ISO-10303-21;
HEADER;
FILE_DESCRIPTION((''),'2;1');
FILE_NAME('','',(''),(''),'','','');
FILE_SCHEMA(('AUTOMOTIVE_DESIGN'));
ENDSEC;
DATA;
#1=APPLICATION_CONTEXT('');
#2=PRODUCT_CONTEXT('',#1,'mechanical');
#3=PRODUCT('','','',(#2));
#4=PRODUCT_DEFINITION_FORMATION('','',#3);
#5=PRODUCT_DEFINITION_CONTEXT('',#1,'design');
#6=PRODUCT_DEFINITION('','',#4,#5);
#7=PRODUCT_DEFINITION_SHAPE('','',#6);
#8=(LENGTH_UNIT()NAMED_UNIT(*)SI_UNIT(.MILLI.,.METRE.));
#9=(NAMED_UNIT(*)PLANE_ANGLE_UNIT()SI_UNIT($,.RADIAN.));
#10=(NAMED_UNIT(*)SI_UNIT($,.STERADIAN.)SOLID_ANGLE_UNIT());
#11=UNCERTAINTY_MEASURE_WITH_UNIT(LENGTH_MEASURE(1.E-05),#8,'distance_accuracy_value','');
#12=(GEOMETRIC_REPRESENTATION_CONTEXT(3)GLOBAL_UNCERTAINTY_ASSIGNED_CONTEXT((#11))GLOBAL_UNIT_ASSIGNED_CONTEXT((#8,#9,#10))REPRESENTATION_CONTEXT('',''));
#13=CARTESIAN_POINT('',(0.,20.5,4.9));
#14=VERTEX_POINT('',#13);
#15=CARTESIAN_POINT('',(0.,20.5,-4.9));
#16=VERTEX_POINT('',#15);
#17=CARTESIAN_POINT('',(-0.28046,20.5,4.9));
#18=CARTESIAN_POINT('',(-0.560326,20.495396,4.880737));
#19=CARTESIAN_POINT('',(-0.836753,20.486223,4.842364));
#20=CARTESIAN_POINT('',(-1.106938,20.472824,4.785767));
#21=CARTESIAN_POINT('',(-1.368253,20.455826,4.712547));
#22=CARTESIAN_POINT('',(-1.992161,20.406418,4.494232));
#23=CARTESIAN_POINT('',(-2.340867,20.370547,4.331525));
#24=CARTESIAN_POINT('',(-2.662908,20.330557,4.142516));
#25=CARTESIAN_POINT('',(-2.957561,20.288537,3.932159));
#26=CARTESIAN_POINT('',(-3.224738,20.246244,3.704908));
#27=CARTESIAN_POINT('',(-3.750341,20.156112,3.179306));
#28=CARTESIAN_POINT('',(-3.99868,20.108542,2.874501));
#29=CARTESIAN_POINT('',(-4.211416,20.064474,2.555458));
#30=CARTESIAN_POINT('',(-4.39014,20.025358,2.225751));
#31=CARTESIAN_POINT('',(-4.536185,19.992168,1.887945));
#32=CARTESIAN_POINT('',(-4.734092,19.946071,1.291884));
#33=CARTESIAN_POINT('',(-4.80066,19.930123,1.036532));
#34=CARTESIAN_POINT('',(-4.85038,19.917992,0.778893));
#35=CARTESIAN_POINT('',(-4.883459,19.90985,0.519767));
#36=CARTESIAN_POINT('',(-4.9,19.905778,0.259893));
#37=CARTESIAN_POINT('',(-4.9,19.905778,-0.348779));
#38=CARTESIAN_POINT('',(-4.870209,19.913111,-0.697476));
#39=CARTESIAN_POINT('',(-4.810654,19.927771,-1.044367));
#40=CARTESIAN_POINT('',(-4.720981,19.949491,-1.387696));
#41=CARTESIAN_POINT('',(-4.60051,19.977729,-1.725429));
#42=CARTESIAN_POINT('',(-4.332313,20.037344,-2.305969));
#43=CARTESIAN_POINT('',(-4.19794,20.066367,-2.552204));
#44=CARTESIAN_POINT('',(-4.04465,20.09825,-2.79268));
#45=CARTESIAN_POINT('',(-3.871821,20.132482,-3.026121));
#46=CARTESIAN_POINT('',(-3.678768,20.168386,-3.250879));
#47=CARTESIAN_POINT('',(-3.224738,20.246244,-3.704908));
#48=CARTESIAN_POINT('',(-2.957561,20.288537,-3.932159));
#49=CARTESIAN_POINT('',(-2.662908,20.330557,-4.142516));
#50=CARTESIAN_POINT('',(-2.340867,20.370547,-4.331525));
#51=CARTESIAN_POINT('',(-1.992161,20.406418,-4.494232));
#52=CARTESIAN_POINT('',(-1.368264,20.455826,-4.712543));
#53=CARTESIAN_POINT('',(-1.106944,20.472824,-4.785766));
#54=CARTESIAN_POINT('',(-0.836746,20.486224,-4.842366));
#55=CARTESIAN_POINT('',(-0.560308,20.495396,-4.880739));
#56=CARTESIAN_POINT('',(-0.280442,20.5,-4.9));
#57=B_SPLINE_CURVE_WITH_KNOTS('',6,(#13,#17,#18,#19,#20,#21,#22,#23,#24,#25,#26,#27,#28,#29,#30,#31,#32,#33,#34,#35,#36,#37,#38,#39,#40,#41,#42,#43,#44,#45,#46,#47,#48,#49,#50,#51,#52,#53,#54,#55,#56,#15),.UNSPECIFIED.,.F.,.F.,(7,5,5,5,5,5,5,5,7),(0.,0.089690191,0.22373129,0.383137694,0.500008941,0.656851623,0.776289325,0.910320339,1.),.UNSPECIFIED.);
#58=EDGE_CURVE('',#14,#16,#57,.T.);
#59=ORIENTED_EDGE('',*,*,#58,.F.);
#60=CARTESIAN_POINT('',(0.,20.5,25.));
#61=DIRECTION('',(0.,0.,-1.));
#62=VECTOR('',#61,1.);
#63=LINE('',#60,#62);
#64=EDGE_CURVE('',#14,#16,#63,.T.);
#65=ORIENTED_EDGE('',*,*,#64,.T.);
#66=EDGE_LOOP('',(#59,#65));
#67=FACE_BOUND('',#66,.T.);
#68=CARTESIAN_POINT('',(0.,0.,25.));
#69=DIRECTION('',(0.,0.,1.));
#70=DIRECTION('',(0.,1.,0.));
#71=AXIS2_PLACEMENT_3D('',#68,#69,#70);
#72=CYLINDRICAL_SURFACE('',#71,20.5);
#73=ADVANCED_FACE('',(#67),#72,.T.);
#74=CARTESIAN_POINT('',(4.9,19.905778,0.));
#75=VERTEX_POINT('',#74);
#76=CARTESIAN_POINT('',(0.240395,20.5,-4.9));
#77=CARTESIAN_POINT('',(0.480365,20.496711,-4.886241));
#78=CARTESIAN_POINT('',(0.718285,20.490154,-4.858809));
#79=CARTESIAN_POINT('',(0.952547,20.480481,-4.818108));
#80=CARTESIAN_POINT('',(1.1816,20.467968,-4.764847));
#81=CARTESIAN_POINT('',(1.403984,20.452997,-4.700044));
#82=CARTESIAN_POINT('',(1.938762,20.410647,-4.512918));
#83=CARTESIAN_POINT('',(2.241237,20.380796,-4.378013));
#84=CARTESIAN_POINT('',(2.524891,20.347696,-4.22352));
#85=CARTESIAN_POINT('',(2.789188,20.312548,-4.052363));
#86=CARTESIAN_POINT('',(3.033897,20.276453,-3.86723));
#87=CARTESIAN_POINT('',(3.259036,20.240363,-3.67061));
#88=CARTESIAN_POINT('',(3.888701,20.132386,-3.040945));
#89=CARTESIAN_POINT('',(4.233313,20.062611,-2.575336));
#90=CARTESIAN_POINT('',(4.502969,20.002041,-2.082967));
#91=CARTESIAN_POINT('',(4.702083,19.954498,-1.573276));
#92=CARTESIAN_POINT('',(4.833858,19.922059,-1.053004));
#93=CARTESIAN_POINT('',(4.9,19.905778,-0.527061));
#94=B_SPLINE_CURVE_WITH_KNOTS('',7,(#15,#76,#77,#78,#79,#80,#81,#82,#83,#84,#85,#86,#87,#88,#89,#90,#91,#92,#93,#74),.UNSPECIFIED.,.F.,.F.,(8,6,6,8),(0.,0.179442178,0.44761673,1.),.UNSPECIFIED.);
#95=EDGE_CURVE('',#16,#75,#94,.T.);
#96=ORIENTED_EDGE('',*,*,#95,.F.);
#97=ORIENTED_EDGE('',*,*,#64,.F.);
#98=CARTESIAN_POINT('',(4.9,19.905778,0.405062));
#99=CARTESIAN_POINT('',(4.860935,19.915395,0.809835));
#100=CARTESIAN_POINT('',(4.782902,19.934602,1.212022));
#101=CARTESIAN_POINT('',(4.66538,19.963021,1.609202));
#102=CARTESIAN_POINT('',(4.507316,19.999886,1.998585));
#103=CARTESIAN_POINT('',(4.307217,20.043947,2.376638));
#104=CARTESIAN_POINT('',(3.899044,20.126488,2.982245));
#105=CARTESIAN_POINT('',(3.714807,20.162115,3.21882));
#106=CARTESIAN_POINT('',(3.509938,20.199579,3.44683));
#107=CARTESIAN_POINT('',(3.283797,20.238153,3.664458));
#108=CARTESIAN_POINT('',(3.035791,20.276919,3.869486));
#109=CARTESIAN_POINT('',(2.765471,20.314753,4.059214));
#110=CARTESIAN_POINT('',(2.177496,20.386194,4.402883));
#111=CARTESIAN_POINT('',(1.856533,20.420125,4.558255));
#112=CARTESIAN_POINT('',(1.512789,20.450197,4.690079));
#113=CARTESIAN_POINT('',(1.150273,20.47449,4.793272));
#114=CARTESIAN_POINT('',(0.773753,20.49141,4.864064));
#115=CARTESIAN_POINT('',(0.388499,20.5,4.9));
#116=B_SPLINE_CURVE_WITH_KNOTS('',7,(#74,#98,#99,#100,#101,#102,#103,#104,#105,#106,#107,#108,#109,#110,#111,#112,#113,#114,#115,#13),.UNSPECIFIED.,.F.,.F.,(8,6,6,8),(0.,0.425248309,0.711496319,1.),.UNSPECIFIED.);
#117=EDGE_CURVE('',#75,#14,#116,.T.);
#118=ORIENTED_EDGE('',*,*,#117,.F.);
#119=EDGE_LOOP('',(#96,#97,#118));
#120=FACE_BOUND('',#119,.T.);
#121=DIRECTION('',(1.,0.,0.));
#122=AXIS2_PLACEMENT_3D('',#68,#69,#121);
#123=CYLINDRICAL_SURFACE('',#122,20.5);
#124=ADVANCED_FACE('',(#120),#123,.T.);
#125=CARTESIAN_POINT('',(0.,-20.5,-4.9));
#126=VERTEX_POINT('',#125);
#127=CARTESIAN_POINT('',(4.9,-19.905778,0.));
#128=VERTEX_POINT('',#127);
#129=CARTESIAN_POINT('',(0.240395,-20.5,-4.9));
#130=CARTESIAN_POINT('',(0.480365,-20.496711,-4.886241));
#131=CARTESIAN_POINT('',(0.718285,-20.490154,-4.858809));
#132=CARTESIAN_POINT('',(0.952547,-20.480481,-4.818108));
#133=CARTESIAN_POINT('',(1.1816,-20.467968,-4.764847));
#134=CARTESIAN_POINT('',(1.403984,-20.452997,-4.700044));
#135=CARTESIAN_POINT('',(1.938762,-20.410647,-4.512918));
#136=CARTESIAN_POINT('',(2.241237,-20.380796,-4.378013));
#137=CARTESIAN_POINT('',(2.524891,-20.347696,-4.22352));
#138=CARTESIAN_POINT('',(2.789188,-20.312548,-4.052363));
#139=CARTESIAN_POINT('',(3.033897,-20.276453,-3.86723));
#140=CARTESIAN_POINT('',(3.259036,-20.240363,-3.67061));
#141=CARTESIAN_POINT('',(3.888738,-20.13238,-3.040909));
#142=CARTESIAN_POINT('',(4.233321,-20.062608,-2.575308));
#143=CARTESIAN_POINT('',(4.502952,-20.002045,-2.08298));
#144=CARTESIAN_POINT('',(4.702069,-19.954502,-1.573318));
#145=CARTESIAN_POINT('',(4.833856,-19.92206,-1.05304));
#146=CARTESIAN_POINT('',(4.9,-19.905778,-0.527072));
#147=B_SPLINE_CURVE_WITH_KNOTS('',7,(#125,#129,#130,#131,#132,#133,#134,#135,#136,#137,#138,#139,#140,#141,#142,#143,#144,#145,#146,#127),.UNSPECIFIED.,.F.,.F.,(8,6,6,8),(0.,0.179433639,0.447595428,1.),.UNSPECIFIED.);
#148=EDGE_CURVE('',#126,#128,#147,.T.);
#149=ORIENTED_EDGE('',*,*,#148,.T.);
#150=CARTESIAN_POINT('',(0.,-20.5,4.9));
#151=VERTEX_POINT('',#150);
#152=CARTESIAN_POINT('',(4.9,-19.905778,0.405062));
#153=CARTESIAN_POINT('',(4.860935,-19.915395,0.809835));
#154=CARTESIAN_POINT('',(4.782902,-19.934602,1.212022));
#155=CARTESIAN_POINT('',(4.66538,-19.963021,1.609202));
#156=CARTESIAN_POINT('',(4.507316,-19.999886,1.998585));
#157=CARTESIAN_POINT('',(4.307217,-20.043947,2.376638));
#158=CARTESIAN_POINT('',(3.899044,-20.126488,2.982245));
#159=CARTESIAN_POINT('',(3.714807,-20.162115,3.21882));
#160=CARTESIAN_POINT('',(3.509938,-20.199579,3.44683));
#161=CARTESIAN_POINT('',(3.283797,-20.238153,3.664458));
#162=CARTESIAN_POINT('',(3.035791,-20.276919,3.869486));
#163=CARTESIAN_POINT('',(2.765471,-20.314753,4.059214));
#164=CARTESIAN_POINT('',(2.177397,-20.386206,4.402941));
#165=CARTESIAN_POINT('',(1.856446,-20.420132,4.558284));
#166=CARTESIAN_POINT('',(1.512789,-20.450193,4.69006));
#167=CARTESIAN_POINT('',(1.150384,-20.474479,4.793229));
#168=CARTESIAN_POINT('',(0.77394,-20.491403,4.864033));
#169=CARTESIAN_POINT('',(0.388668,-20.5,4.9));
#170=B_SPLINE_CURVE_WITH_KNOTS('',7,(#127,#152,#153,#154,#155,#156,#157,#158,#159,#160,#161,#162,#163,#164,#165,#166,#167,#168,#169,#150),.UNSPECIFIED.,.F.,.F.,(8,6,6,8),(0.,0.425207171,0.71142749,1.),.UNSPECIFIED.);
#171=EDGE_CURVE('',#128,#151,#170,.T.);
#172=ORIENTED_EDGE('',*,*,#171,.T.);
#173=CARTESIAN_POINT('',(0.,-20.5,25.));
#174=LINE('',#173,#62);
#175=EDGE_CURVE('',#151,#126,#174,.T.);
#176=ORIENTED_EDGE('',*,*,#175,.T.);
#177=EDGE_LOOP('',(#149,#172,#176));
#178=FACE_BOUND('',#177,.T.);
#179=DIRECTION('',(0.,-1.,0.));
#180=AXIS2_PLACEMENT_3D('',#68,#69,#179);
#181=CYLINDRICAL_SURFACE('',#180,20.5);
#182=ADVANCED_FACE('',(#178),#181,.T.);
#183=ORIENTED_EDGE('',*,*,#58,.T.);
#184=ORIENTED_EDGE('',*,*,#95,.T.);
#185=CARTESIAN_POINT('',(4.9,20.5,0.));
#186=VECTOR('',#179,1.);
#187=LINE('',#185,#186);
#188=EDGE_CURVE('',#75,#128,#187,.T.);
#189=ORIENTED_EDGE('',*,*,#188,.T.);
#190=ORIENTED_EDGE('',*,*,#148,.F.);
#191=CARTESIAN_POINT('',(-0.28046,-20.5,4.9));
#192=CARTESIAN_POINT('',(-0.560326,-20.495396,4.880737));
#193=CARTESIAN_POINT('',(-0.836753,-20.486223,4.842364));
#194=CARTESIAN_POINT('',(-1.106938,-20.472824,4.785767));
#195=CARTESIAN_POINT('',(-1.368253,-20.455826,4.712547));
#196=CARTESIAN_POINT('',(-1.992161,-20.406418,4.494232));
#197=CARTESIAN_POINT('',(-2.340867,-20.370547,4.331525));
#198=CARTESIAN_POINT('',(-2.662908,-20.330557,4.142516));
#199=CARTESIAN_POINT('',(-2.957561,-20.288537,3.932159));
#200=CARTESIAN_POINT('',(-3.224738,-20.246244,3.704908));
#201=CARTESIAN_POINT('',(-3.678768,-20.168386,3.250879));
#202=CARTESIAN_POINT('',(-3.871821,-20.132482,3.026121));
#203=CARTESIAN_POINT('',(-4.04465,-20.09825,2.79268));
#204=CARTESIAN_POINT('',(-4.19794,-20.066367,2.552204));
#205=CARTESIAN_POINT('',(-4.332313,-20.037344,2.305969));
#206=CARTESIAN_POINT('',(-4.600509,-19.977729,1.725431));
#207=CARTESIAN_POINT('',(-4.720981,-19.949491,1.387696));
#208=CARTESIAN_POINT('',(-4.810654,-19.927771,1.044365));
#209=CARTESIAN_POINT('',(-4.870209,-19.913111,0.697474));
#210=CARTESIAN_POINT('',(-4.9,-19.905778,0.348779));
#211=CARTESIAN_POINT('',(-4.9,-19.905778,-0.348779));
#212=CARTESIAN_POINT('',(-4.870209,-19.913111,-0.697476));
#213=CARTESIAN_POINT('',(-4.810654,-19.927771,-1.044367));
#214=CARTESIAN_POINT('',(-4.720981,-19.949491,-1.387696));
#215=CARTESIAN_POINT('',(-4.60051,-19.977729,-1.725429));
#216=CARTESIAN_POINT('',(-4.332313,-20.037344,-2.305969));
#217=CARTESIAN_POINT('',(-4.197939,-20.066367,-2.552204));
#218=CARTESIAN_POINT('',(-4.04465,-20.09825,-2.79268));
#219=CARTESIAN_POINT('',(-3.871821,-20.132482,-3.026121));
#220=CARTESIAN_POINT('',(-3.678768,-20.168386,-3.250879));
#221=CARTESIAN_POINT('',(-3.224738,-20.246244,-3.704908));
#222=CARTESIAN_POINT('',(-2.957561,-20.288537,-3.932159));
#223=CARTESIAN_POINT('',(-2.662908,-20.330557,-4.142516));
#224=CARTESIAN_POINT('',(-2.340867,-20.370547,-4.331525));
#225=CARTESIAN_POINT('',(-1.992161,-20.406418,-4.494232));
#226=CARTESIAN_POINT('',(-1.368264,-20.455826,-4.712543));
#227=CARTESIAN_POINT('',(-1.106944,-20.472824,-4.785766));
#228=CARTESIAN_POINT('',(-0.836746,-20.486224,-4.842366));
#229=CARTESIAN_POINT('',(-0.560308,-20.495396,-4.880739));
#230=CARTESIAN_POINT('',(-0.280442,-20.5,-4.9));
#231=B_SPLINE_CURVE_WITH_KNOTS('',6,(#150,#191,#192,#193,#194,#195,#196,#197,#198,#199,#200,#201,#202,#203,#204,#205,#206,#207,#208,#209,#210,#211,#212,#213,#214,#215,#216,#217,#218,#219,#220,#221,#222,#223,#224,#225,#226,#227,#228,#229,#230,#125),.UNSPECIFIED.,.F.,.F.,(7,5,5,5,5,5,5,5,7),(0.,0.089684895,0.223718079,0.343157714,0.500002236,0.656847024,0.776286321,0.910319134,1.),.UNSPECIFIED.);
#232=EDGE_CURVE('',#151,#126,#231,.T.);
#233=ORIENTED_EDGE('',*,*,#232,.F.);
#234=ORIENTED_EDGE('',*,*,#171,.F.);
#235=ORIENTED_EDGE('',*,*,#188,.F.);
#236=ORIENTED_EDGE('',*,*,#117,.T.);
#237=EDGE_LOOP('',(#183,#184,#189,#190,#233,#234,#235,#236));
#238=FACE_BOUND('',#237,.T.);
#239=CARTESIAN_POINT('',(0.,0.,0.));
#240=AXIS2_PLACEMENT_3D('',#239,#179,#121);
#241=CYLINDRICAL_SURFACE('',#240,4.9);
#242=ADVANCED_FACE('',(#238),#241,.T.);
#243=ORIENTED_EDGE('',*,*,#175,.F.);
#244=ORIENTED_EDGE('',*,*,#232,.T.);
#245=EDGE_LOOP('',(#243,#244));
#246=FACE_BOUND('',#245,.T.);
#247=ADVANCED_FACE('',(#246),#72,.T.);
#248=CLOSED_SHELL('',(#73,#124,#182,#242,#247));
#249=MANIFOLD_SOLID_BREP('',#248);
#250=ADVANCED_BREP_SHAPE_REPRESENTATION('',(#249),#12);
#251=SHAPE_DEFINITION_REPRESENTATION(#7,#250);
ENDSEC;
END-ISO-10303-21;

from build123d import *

# Parameters (mm, degrees)
F0_R          = 4.9
F1_DEPTH      = 20.5
F1_DEPTH_BACK = 20.5
F3_START      = 25
F3_DEPTH      = 50


with BuildPart() as f1:
    # F0 (on Front) → F1 (new body, two sides)
    with BuildSketch(Plane.XZ) as f1_sk:
        Circle(F0_R)
    extrude(amount=F1_DEPTH)
    extrude(f1_sk.sketch, amount=-F1_DEPTH_BACK)

    # F2 (on Top) → F3 (intersect)
    with BuildSketch(Plane.XY.offset(F3_START)):
        with BuildLine():
            ThreePointArc((0, -20.5), (14.4956890143, -14.4956890143), (20.5, 0))
            ThreePointArc((20.5, 0), (14.4956890143, 14.4956890143), (0, 20.5))
            ThreePointArc((0, 20.5), (-20.5, 0), (0, -20.5))
        make_face()
    extrude(amount=-F3_DEPTH, mode=Mode.INTERSECT)


solid = f1.part
